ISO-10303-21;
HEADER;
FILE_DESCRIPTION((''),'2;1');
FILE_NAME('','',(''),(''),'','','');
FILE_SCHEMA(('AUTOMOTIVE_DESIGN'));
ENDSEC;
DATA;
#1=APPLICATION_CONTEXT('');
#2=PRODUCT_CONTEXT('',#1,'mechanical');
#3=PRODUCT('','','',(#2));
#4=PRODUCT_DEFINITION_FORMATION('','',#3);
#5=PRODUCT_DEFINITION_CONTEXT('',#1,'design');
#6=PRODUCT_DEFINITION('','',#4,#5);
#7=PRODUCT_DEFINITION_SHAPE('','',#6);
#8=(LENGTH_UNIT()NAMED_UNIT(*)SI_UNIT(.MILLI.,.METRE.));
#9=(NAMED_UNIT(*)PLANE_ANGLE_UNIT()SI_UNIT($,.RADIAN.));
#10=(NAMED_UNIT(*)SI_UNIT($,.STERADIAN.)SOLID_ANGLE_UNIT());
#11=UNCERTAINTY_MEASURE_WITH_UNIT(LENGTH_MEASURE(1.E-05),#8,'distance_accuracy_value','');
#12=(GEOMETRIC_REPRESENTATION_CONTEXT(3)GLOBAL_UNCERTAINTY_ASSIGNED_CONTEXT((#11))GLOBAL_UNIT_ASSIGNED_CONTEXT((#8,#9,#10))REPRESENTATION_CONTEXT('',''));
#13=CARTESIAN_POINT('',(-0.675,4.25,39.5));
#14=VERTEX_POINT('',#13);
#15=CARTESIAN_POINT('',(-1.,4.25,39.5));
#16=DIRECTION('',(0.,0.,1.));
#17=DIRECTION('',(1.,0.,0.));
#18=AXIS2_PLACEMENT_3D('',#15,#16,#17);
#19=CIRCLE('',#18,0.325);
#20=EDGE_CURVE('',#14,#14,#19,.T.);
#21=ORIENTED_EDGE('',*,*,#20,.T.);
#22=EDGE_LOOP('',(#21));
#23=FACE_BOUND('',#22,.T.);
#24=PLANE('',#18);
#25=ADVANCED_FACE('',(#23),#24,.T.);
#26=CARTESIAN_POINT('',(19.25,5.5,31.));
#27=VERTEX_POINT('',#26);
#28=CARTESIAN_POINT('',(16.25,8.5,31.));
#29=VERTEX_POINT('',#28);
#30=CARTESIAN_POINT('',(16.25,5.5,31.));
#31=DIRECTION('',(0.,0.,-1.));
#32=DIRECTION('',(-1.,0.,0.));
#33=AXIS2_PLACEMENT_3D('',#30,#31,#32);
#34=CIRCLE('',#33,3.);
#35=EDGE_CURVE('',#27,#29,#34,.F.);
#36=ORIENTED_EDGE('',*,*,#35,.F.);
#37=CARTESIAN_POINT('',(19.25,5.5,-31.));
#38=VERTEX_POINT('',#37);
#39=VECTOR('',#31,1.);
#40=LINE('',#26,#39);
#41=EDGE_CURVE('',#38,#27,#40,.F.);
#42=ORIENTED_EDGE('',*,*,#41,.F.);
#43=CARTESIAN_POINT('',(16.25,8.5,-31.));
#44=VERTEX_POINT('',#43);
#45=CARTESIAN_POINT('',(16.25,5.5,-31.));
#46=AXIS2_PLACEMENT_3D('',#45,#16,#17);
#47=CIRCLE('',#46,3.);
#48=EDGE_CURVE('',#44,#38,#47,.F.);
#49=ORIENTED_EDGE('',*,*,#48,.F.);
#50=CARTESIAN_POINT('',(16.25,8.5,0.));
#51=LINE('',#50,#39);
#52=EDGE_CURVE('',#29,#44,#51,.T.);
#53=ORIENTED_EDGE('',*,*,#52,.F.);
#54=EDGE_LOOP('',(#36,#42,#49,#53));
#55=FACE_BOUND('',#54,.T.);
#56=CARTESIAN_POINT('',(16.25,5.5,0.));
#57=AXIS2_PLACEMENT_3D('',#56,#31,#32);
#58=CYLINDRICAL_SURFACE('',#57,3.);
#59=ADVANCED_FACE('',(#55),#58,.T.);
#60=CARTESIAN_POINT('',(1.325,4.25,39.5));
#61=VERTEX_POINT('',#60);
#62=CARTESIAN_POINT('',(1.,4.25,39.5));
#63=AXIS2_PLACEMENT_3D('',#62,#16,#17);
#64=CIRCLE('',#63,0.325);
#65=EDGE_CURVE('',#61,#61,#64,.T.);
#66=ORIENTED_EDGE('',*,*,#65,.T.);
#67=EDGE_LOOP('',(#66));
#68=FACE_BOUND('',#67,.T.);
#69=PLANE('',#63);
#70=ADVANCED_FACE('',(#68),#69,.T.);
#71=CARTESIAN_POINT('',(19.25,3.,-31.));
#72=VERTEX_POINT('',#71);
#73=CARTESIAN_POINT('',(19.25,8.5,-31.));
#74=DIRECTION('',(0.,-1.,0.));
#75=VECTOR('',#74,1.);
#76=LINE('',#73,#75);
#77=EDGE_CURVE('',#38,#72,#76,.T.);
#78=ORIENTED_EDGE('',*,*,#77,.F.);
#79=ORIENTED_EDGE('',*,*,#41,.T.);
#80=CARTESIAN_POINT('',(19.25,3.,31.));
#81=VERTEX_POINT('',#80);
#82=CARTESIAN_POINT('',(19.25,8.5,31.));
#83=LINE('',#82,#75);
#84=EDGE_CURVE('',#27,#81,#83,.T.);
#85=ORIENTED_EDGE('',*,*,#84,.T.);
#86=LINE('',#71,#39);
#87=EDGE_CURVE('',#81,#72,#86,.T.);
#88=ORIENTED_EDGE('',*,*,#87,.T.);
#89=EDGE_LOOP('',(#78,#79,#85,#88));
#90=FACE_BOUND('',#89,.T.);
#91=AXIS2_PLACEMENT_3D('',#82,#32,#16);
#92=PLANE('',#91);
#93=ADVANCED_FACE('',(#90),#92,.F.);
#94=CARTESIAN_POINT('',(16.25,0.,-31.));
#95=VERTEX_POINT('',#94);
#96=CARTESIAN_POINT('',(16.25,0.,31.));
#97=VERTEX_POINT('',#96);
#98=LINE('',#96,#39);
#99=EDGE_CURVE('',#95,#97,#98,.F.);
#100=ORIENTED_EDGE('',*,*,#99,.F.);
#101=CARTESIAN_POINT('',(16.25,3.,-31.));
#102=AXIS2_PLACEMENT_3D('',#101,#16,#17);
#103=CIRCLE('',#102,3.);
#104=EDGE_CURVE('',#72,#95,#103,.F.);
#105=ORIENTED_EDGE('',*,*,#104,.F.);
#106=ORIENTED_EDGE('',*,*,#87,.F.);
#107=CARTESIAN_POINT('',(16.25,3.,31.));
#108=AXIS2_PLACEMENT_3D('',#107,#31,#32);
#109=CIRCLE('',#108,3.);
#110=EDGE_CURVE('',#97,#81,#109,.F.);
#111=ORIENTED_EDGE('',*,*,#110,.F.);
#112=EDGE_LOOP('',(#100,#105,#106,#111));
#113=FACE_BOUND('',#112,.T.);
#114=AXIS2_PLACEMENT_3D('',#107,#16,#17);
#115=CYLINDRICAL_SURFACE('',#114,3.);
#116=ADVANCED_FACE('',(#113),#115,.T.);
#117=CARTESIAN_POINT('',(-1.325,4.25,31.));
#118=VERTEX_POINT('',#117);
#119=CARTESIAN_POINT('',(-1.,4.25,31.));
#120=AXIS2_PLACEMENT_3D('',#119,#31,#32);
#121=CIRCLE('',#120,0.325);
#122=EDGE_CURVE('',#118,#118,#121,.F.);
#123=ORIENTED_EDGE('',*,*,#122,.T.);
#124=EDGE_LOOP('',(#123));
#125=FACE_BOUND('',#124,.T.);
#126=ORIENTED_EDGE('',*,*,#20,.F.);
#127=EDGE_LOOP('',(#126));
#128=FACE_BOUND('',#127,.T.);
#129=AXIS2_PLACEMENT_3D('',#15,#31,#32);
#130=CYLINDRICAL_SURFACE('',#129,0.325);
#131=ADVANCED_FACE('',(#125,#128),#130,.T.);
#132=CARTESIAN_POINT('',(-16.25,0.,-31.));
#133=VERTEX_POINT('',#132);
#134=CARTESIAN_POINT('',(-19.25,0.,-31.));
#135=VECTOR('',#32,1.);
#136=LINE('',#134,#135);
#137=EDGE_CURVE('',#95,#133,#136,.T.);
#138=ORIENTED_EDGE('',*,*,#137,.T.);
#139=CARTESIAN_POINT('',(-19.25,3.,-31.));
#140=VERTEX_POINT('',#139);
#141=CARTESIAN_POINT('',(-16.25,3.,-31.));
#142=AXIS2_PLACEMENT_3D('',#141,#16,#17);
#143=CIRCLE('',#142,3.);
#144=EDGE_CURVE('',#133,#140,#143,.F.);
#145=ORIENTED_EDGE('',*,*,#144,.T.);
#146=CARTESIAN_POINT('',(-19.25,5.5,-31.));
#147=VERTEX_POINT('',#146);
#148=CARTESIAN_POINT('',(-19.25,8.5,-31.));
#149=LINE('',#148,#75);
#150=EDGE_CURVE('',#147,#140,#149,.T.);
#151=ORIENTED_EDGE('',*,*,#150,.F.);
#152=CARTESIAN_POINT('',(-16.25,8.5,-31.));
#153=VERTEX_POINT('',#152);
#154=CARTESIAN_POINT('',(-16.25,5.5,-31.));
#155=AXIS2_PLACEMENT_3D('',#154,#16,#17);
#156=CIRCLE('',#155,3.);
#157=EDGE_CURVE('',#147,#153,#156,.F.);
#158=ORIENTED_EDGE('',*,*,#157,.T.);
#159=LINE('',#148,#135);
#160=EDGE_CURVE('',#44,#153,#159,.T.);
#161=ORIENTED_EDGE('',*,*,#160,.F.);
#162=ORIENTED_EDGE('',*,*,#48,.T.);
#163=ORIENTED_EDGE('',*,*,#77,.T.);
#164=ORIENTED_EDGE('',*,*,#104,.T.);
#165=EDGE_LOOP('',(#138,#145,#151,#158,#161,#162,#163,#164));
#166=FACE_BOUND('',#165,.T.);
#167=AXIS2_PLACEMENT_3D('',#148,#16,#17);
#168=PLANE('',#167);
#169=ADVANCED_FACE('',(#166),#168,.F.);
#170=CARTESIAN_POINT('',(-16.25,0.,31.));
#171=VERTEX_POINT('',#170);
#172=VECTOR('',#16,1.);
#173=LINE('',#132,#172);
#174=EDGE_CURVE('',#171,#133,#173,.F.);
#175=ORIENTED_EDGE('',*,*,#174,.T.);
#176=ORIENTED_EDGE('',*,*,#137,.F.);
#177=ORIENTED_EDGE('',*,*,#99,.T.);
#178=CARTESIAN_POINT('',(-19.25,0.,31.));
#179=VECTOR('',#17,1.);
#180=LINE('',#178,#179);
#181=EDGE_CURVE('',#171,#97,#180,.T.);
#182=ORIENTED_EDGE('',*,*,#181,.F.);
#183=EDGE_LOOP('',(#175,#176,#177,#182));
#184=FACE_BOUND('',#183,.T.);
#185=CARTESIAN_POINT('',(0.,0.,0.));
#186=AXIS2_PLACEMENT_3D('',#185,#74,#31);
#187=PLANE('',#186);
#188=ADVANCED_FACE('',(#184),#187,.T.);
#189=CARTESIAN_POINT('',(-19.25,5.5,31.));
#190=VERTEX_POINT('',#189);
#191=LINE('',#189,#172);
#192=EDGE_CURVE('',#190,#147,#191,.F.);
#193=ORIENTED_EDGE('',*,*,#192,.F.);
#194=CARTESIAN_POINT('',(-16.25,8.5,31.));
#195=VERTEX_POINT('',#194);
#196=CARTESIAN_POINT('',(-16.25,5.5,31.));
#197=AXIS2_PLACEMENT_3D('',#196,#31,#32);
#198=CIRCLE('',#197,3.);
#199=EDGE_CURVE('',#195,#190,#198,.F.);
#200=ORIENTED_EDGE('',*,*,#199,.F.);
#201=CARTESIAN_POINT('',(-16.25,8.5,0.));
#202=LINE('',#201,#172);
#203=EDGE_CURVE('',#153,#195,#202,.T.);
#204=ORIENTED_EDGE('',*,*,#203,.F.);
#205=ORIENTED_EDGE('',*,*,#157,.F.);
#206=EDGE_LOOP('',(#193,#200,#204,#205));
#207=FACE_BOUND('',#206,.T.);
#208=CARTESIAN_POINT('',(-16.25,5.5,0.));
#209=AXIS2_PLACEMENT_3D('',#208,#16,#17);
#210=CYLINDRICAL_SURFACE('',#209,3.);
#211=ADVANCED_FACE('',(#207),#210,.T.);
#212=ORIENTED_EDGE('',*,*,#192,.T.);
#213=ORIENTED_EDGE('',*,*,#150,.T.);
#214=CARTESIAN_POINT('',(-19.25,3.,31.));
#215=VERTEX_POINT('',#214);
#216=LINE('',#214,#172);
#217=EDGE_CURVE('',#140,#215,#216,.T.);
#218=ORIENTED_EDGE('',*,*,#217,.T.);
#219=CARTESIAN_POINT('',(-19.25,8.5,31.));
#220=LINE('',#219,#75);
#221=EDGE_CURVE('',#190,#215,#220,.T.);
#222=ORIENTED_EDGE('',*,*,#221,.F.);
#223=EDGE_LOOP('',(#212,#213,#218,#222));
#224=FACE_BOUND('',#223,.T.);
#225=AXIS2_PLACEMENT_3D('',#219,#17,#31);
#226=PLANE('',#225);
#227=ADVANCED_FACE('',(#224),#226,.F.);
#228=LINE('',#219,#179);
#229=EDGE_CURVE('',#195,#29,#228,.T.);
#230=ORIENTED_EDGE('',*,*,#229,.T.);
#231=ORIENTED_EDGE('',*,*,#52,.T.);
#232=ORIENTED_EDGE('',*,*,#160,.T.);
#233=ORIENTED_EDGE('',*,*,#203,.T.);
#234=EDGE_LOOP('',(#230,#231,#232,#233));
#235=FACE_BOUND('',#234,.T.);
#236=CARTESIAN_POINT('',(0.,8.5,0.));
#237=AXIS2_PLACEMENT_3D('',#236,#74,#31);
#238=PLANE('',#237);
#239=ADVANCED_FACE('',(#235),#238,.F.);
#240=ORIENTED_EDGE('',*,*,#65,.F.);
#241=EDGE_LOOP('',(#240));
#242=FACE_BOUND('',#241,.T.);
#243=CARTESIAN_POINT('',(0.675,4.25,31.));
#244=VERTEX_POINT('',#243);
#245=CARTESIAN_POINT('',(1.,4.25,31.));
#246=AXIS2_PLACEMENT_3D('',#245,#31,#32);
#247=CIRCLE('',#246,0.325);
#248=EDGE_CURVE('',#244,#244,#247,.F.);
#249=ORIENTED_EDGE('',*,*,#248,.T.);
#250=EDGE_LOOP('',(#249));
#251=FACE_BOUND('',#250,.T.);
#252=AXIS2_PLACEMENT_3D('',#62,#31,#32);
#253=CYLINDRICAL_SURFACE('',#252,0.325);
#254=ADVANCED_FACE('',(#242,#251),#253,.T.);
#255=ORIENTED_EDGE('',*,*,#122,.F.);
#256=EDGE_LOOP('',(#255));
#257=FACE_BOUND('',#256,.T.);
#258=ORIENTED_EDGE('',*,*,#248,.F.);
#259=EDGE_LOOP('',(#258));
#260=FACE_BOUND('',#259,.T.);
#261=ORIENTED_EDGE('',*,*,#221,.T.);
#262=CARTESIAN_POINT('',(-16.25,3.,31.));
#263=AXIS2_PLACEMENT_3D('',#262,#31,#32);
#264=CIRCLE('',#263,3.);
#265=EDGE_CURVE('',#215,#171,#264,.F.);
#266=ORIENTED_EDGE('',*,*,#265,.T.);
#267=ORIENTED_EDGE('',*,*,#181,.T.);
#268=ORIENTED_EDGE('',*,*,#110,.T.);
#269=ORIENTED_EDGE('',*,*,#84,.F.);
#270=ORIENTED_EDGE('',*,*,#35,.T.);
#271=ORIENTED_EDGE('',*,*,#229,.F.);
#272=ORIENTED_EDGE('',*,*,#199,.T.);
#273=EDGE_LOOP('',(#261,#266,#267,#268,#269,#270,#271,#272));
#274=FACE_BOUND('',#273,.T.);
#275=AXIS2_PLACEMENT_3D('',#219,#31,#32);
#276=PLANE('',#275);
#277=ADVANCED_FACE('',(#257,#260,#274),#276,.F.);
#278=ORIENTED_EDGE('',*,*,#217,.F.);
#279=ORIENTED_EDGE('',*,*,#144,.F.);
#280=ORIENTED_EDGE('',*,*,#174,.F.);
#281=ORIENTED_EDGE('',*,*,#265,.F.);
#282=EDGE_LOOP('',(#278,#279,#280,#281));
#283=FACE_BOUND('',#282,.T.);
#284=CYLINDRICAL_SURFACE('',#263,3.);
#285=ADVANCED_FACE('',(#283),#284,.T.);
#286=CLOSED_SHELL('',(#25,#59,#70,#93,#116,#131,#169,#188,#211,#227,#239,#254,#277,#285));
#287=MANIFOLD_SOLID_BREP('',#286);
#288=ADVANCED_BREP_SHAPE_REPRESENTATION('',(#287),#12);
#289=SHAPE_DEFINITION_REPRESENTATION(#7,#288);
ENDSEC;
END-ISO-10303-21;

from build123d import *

# Parameters (mm, degrees)
SKETCH1_W           = 38.5
SKETCH1_H           = 62
BOSS_EXTRUDE1_DEPTH = 8.5
FILLET1_R           = 3
SKETCH2_R           = 0.325
BOSS_EXTRUDE2_DEPTH = 8.5


with BuildPart() as part:
    # Sketch1 → Boss-Extrude1 (new body)
    with BuildSketch(Plane(origin=(0, 0, 0), x_dir=(1, 0, 0), z_dir=(0, 1, 0))):
        Rectangle(SKETCH1_W, SKETCH1_H)
    extrude(amount=BOSS_EXTRUDE1_DEPTH)

    # Fillet1
    fillet1_edges = [part.edges().sort_by_distance(p)[0] for p in [
        (-19.25, 8.5, 0),
        (19.25, 8.5, 0),
        (-19.25, 0, 0),
        (19.25, 0, 0),
    ]]
    fillet(fillet1_edges, radius=FILLET1_R)

    # Sketch2 → Boss-Extrude2 (add)
    with BuildSketch(Plane.XY.offset(31)):
        with Locations(Location((-1, 4.25, 0), (0, 0, 180))):
            Circle(SKETCH2_R)
        with Locations(Location((1, 4.25, 0), (0, 0, 180))):
            Circle(SKETCH2_R)
    extrude(amount=BOSS_EXTRUDE2_DEPTH)


solid = part.part
